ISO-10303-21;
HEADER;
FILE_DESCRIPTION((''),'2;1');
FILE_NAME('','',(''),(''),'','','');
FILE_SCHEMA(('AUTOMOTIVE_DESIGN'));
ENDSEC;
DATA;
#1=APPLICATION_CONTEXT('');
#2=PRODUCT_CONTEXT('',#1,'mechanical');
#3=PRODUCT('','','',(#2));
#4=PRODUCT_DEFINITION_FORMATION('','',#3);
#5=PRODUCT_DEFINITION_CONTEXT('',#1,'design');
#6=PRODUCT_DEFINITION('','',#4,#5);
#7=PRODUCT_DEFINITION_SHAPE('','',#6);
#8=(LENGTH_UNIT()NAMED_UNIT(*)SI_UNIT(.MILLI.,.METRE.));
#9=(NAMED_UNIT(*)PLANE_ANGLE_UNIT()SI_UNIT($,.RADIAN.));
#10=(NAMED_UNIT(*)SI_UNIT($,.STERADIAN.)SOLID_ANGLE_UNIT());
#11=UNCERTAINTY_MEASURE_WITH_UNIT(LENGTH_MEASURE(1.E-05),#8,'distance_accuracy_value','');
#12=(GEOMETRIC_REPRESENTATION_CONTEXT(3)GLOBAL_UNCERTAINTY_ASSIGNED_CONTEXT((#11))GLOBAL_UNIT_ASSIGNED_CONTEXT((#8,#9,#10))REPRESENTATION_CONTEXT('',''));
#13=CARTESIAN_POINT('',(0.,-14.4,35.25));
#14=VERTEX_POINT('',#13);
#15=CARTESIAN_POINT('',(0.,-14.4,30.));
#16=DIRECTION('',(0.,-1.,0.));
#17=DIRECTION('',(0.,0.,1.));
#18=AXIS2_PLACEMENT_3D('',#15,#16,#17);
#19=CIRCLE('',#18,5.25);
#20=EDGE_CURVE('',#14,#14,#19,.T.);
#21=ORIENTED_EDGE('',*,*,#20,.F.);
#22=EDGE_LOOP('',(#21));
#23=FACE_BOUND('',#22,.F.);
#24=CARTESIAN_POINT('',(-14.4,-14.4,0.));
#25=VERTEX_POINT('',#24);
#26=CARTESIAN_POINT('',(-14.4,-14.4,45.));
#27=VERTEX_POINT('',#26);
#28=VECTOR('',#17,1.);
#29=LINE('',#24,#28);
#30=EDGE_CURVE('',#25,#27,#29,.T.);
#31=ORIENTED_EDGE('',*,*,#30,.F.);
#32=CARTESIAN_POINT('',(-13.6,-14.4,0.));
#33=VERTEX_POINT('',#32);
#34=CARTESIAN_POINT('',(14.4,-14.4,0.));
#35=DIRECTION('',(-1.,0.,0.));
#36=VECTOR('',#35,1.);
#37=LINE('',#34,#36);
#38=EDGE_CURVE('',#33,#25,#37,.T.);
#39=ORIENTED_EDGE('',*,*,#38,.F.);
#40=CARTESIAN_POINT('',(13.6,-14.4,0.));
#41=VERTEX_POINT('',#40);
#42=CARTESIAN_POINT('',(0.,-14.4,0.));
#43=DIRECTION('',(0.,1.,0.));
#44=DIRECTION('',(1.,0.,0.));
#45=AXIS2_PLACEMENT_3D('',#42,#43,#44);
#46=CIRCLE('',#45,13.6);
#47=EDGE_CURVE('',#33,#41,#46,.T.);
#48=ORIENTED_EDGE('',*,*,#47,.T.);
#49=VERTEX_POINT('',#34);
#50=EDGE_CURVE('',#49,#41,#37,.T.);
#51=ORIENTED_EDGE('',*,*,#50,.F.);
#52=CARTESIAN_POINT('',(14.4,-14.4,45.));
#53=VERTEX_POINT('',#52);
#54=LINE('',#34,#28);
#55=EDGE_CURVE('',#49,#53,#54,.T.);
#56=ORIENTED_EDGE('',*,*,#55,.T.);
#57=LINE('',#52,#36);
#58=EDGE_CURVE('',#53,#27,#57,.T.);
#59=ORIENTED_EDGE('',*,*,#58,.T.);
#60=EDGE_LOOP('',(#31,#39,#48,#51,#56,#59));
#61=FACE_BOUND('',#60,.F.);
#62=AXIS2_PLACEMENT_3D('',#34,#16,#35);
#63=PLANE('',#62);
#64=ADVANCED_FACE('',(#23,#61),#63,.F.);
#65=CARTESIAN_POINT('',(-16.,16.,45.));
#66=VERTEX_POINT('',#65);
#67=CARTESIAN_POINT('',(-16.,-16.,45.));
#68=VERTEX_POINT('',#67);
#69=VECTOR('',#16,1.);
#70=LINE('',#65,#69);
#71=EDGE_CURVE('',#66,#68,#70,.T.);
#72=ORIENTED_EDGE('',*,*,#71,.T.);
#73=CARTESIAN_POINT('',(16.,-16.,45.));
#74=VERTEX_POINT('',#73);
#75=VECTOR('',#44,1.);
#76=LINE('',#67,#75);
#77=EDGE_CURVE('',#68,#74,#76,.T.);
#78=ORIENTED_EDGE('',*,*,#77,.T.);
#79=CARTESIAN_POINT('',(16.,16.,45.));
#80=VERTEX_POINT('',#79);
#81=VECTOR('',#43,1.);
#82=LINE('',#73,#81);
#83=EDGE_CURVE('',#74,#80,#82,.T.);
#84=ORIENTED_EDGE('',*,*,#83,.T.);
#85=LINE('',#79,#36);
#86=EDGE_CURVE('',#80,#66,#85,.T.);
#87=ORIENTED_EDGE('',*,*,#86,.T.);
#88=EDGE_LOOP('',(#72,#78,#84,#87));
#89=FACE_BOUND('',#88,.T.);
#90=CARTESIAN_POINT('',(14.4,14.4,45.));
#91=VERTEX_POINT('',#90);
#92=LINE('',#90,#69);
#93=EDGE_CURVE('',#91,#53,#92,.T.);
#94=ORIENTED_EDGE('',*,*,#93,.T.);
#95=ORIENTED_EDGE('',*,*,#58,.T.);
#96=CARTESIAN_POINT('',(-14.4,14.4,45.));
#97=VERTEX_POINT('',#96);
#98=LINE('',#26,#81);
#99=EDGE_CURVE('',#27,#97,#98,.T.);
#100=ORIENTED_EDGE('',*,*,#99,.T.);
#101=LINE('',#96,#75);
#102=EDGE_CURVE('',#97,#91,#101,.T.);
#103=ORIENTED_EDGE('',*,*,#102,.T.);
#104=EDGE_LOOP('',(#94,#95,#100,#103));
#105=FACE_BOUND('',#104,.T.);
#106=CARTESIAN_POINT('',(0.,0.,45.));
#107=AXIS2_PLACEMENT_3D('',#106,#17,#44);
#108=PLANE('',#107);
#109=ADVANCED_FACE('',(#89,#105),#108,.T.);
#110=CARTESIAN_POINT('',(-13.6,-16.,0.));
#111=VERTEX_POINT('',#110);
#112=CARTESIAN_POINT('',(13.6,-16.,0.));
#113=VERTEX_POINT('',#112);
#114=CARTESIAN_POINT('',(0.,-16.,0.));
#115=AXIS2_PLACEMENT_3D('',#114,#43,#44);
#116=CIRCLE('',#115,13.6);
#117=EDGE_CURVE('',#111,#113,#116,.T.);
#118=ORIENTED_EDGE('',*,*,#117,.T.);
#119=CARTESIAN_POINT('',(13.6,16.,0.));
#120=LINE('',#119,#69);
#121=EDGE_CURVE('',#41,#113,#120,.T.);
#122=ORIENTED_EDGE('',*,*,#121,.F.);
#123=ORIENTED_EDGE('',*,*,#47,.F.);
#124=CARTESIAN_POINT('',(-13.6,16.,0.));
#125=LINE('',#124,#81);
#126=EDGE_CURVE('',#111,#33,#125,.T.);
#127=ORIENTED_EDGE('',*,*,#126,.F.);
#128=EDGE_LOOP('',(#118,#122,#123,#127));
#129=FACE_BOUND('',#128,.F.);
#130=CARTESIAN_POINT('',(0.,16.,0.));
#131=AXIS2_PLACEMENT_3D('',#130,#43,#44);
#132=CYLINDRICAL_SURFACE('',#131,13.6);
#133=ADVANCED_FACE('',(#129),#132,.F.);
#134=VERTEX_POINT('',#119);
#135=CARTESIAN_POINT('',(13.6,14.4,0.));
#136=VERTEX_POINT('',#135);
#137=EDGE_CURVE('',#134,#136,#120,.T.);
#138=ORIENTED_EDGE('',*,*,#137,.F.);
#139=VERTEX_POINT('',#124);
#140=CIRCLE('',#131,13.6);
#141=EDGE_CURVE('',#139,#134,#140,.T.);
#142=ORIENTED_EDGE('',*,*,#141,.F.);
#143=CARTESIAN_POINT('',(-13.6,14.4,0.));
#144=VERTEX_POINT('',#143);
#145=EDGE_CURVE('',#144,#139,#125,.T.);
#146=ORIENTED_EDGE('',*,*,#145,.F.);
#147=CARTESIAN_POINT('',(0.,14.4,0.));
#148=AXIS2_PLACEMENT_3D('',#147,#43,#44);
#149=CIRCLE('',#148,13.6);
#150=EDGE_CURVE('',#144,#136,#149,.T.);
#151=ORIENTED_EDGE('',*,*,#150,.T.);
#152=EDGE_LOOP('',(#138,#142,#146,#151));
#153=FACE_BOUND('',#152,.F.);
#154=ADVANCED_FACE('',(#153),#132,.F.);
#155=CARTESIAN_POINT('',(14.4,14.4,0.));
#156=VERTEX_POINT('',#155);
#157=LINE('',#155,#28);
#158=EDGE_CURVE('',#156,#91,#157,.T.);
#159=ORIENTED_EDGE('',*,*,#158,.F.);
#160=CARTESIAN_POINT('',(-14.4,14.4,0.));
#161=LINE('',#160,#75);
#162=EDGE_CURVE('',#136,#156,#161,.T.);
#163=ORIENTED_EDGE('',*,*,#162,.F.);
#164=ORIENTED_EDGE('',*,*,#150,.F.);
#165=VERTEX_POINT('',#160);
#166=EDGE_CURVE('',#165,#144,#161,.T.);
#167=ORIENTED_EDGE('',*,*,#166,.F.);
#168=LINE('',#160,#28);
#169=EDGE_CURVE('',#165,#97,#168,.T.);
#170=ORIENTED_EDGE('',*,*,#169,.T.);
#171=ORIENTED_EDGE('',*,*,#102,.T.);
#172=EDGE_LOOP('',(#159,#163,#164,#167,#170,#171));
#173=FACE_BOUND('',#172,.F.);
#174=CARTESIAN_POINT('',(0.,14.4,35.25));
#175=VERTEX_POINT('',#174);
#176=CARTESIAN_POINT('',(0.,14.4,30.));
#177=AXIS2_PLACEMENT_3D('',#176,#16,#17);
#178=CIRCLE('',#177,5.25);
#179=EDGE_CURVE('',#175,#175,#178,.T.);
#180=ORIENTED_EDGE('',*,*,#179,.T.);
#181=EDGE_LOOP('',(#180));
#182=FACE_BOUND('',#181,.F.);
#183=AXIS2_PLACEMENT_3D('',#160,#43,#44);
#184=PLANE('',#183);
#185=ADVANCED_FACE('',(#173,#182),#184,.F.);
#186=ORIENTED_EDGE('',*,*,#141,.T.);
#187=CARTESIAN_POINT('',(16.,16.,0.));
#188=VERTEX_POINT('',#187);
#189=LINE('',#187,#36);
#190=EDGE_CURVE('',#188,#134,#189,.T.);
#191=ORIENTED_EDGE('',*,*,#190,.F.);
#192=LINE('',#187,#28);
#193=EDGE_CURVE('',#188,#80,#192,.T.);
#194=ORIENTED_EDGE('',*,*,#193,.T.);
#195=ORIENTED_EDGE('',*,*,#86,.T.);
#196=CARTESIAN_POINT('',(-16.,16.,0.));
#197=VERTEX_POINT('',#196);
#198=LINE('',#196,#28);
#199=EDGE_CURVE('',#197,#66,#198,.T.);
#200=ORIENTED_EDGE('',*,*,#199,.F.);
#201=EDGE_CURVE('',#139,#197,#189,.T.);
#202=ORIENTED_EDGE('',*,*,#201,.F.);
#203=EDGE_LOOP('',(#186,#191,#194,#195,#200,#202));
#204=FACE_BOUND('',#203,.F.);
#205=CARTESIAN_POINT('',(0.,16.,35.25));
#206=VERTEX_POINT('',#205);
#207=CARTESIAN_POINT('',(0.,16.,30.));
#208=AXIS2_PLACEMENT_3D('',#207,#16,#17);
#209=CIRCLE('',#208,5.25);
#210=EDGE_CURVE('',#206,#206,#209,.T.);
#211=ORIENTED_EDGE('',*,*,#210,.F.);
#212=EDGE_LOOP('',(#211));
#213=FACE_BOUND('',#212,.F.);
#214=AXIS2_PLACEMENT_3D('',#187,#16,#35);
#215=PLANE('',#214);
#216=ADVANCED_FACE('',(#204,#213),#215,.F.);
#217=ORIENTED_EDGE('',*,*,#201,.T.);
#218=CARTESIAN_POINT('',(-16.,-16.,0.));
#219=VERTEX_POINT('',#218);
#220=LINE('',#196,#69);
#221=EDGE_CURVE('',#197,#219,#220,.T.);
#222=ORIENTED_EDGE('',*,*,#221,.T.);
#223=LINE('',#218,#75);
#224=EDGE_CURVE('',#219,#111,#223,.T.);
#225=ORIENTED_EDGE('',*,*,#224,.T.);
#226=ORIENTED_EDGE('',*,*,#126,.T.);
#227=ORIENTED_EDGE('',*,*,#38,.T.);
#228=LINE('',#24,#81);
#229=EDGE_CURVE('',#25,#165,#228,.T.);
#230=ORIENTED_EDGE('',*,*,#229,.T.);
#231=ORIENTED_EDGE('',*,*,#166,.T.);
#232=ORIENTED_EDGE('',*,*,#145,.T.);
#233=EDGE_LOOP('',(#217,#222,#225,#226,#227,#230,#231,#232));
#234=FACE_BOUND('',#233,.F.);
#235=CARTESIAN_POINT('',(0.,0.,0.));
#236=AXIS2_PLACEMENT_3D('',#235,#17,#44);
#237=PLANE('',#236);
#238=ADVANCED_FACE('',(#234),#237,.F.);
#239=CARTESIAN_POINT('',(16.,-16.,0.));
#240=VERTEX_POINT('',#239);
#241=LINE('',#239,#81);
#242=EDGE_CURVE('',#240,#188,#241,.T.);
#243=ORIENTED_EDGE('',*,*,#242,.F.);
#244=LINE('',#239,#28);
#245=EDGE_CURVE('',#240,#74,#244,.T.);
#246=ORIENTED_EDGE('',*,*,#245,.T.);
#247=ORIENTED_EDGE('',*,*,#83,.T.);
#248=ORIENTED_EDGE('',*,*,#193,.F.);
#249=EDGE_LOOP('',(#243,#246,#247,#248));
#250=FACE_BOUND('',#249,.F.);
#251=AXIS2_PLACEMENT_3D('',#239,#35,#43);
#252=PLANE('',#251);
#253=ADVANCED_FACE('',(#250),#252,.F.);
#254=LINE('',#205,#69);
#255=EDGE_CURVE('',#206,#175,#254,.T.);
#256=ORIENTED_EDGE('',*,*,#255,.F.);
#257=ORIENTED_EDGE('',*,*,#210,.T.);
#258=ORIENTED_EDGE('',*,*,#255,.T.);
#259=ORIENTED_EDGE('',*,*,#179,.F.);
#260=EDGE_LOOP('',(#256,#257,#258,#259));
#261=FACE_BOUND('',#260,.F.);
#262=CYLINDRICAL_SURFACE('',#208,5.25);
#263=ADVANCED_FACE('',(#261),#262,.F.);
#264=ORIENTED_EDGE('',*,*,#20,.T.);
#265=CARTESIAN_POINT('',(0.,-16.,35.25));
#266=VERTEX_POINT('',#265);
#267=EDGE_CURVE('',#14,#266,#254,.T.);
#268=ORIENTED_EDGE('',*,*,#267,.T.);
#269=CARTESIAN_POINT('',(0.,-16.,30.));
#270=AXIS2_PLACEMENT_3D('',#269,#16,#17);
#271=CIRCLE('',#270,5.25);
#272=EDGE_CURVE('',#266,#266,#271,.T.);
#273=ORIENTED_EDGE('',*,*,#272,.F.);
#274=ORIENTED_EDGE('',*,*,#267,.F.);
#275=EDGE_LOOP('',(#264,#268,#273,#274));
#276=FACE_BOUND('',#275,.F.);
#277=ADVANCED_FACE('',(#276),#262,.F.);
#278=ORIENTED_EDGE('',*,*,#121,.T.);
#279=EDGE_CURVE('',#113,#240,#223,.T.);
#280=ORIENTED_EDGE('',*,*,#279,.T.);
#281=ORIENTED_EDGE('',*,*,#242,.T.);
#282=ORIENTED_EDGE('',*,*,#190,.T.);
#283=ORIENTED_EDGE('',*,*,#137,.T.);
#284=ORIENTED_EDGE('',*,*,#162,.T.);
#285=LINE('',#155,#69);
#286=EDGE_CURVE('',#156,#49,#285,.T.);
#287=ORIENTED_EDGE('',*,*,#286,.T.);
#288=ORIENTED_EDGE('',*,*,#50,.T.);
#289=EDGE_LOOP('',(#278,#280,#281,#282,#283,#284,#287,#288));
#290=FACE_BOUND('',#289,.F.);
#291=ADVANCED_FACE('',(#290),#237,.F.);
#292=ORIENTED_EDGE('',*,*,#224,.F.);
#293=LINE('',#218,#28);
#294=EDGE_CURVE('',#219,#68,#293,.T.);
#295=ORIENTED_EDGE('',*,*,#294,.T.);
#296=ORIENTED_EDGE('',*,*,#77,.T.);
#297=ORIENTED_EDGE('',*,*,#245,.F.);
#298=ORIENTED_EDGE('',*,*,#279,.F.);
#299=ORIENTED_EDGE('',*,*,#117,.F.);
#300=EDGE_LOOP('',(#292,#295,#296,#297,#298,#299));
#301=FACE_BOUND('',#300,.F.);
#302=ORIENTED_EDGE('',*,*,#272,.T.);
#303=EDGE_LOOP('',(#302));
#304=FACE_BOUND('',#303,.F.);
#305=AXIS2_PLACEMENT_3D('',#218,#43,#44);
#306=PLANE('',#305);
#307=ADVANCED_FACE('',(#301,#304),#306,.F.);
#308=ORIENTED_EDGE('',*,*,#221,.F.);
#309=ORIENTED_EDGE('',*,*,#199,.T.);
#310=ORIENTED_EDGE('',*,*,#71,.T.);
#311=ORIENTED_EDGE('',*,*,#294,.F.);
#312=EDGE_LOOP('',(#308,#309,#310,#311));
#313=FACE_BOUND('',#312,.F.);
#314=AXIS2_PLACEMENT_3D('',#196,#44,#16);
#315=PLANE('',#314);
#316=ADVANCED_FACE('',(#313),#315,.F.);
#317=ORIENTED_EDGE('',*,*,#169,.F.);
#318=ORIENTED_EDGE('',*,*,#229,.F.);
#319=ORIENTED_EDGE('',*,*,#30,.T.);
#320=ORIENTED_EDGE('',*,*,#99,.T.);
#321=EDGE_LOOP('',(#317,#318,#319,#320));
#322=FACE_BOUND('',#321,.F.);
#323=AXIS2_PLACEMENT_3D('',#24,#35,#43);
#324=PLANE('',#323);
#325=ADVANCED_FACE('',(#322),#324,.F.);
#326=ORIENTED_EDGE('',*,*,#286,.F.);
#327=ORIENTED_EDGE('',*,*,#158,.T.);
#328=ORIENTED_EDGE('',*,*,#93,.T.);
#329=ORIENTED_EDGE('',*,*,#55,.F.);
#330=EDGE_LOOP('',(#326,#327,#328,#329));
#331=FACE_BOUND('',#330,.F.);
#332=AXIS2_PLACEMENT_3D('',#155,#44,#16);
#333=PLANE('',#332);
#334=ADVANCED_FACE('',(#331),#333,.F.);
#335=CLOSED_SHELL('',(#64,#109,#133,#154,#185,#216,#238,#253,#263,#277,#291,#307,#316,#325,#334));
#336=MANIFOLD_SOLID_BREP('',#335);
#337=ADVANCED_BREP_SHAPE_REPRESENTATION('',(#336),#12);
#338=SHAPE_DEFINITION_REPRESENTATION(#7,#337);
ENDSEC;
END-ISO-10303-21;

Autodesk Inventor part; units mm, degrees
ref_plane "YZ Plane" through (0, 0, 0) normal (1, 0, 0) x (0, 1, 0)
ref_plane "XZ Plane" through (0, 0, 0) normal (0, 1, 0) x (-1, 0, 0)
ref_plane "XY Plane" through (0, 0, 0) normal (0, 0, 1) x (1, 0, 0)
sketch "スケッチ1" plane through (0, 0, 0) normal (0, 0, 1) x (1, 0, 0)
  line L0 (-16, -16) -> (16, -16)
  line L1 (16, -16) -> (16, 16)
  line L2 (16, 16) -> (-16, 16)
  line L3 (-16, 16) -> (-16, -16)
  line L4 (-16, -16) -> (16, 16) construction
  line L5 (16, -16) -> (-16, 16) construction
  line L6 (-14.4, 14.4) -> (14.4, 14.4)
  line L7 (14.4, 14.4) -> (14.4, -14.4)
  line L8 (14.4, -14.4) -> (-14.4, -14.4)
  line L9 (-14.4, -14.4) -> (-14.4, 14.4)
  point P0 (0, 0)
  dimension "d0" = 32
  dimension "d1" = 32
  dimension "d2" = 1.6
extrude "押し出し1" add sketch "スケッチ1" along normal blind 45
sketch "スケッチ2" plane through (-16, 16, 0) normal (0, 1, 0) x (1, 0, 0)
  circle A0 centre (16, 0) radius 13.6
  dimension "d5" = 27.2
extrude "押し出し2" cut sketch "スケッチ2" against normal blind 32
sketch "スケッチ3" plane through (-16, 16, 45) normal (0, 1, 0) x (1, 0, 0)
  line L0 (32, 0) -> (0, 0) projected
  point P0 (16, 45)
  point P1 (16, 15)
  dimension "d16" = 30
hole "穴1" at (0, 16, 30) direction (0, -1, 0) diameter 10.5 end through all
sketch "スケッチ4" plane through (-16, 16, 45) normal (0, 1, 0) x (1, 0, 0)
  circle A0 centre (16, 15) radius 13.6
  point P0 (16, 45)
  dimension "d17" = 30
  dimension "d18" = 27.2
properties part number "軸受上用"
